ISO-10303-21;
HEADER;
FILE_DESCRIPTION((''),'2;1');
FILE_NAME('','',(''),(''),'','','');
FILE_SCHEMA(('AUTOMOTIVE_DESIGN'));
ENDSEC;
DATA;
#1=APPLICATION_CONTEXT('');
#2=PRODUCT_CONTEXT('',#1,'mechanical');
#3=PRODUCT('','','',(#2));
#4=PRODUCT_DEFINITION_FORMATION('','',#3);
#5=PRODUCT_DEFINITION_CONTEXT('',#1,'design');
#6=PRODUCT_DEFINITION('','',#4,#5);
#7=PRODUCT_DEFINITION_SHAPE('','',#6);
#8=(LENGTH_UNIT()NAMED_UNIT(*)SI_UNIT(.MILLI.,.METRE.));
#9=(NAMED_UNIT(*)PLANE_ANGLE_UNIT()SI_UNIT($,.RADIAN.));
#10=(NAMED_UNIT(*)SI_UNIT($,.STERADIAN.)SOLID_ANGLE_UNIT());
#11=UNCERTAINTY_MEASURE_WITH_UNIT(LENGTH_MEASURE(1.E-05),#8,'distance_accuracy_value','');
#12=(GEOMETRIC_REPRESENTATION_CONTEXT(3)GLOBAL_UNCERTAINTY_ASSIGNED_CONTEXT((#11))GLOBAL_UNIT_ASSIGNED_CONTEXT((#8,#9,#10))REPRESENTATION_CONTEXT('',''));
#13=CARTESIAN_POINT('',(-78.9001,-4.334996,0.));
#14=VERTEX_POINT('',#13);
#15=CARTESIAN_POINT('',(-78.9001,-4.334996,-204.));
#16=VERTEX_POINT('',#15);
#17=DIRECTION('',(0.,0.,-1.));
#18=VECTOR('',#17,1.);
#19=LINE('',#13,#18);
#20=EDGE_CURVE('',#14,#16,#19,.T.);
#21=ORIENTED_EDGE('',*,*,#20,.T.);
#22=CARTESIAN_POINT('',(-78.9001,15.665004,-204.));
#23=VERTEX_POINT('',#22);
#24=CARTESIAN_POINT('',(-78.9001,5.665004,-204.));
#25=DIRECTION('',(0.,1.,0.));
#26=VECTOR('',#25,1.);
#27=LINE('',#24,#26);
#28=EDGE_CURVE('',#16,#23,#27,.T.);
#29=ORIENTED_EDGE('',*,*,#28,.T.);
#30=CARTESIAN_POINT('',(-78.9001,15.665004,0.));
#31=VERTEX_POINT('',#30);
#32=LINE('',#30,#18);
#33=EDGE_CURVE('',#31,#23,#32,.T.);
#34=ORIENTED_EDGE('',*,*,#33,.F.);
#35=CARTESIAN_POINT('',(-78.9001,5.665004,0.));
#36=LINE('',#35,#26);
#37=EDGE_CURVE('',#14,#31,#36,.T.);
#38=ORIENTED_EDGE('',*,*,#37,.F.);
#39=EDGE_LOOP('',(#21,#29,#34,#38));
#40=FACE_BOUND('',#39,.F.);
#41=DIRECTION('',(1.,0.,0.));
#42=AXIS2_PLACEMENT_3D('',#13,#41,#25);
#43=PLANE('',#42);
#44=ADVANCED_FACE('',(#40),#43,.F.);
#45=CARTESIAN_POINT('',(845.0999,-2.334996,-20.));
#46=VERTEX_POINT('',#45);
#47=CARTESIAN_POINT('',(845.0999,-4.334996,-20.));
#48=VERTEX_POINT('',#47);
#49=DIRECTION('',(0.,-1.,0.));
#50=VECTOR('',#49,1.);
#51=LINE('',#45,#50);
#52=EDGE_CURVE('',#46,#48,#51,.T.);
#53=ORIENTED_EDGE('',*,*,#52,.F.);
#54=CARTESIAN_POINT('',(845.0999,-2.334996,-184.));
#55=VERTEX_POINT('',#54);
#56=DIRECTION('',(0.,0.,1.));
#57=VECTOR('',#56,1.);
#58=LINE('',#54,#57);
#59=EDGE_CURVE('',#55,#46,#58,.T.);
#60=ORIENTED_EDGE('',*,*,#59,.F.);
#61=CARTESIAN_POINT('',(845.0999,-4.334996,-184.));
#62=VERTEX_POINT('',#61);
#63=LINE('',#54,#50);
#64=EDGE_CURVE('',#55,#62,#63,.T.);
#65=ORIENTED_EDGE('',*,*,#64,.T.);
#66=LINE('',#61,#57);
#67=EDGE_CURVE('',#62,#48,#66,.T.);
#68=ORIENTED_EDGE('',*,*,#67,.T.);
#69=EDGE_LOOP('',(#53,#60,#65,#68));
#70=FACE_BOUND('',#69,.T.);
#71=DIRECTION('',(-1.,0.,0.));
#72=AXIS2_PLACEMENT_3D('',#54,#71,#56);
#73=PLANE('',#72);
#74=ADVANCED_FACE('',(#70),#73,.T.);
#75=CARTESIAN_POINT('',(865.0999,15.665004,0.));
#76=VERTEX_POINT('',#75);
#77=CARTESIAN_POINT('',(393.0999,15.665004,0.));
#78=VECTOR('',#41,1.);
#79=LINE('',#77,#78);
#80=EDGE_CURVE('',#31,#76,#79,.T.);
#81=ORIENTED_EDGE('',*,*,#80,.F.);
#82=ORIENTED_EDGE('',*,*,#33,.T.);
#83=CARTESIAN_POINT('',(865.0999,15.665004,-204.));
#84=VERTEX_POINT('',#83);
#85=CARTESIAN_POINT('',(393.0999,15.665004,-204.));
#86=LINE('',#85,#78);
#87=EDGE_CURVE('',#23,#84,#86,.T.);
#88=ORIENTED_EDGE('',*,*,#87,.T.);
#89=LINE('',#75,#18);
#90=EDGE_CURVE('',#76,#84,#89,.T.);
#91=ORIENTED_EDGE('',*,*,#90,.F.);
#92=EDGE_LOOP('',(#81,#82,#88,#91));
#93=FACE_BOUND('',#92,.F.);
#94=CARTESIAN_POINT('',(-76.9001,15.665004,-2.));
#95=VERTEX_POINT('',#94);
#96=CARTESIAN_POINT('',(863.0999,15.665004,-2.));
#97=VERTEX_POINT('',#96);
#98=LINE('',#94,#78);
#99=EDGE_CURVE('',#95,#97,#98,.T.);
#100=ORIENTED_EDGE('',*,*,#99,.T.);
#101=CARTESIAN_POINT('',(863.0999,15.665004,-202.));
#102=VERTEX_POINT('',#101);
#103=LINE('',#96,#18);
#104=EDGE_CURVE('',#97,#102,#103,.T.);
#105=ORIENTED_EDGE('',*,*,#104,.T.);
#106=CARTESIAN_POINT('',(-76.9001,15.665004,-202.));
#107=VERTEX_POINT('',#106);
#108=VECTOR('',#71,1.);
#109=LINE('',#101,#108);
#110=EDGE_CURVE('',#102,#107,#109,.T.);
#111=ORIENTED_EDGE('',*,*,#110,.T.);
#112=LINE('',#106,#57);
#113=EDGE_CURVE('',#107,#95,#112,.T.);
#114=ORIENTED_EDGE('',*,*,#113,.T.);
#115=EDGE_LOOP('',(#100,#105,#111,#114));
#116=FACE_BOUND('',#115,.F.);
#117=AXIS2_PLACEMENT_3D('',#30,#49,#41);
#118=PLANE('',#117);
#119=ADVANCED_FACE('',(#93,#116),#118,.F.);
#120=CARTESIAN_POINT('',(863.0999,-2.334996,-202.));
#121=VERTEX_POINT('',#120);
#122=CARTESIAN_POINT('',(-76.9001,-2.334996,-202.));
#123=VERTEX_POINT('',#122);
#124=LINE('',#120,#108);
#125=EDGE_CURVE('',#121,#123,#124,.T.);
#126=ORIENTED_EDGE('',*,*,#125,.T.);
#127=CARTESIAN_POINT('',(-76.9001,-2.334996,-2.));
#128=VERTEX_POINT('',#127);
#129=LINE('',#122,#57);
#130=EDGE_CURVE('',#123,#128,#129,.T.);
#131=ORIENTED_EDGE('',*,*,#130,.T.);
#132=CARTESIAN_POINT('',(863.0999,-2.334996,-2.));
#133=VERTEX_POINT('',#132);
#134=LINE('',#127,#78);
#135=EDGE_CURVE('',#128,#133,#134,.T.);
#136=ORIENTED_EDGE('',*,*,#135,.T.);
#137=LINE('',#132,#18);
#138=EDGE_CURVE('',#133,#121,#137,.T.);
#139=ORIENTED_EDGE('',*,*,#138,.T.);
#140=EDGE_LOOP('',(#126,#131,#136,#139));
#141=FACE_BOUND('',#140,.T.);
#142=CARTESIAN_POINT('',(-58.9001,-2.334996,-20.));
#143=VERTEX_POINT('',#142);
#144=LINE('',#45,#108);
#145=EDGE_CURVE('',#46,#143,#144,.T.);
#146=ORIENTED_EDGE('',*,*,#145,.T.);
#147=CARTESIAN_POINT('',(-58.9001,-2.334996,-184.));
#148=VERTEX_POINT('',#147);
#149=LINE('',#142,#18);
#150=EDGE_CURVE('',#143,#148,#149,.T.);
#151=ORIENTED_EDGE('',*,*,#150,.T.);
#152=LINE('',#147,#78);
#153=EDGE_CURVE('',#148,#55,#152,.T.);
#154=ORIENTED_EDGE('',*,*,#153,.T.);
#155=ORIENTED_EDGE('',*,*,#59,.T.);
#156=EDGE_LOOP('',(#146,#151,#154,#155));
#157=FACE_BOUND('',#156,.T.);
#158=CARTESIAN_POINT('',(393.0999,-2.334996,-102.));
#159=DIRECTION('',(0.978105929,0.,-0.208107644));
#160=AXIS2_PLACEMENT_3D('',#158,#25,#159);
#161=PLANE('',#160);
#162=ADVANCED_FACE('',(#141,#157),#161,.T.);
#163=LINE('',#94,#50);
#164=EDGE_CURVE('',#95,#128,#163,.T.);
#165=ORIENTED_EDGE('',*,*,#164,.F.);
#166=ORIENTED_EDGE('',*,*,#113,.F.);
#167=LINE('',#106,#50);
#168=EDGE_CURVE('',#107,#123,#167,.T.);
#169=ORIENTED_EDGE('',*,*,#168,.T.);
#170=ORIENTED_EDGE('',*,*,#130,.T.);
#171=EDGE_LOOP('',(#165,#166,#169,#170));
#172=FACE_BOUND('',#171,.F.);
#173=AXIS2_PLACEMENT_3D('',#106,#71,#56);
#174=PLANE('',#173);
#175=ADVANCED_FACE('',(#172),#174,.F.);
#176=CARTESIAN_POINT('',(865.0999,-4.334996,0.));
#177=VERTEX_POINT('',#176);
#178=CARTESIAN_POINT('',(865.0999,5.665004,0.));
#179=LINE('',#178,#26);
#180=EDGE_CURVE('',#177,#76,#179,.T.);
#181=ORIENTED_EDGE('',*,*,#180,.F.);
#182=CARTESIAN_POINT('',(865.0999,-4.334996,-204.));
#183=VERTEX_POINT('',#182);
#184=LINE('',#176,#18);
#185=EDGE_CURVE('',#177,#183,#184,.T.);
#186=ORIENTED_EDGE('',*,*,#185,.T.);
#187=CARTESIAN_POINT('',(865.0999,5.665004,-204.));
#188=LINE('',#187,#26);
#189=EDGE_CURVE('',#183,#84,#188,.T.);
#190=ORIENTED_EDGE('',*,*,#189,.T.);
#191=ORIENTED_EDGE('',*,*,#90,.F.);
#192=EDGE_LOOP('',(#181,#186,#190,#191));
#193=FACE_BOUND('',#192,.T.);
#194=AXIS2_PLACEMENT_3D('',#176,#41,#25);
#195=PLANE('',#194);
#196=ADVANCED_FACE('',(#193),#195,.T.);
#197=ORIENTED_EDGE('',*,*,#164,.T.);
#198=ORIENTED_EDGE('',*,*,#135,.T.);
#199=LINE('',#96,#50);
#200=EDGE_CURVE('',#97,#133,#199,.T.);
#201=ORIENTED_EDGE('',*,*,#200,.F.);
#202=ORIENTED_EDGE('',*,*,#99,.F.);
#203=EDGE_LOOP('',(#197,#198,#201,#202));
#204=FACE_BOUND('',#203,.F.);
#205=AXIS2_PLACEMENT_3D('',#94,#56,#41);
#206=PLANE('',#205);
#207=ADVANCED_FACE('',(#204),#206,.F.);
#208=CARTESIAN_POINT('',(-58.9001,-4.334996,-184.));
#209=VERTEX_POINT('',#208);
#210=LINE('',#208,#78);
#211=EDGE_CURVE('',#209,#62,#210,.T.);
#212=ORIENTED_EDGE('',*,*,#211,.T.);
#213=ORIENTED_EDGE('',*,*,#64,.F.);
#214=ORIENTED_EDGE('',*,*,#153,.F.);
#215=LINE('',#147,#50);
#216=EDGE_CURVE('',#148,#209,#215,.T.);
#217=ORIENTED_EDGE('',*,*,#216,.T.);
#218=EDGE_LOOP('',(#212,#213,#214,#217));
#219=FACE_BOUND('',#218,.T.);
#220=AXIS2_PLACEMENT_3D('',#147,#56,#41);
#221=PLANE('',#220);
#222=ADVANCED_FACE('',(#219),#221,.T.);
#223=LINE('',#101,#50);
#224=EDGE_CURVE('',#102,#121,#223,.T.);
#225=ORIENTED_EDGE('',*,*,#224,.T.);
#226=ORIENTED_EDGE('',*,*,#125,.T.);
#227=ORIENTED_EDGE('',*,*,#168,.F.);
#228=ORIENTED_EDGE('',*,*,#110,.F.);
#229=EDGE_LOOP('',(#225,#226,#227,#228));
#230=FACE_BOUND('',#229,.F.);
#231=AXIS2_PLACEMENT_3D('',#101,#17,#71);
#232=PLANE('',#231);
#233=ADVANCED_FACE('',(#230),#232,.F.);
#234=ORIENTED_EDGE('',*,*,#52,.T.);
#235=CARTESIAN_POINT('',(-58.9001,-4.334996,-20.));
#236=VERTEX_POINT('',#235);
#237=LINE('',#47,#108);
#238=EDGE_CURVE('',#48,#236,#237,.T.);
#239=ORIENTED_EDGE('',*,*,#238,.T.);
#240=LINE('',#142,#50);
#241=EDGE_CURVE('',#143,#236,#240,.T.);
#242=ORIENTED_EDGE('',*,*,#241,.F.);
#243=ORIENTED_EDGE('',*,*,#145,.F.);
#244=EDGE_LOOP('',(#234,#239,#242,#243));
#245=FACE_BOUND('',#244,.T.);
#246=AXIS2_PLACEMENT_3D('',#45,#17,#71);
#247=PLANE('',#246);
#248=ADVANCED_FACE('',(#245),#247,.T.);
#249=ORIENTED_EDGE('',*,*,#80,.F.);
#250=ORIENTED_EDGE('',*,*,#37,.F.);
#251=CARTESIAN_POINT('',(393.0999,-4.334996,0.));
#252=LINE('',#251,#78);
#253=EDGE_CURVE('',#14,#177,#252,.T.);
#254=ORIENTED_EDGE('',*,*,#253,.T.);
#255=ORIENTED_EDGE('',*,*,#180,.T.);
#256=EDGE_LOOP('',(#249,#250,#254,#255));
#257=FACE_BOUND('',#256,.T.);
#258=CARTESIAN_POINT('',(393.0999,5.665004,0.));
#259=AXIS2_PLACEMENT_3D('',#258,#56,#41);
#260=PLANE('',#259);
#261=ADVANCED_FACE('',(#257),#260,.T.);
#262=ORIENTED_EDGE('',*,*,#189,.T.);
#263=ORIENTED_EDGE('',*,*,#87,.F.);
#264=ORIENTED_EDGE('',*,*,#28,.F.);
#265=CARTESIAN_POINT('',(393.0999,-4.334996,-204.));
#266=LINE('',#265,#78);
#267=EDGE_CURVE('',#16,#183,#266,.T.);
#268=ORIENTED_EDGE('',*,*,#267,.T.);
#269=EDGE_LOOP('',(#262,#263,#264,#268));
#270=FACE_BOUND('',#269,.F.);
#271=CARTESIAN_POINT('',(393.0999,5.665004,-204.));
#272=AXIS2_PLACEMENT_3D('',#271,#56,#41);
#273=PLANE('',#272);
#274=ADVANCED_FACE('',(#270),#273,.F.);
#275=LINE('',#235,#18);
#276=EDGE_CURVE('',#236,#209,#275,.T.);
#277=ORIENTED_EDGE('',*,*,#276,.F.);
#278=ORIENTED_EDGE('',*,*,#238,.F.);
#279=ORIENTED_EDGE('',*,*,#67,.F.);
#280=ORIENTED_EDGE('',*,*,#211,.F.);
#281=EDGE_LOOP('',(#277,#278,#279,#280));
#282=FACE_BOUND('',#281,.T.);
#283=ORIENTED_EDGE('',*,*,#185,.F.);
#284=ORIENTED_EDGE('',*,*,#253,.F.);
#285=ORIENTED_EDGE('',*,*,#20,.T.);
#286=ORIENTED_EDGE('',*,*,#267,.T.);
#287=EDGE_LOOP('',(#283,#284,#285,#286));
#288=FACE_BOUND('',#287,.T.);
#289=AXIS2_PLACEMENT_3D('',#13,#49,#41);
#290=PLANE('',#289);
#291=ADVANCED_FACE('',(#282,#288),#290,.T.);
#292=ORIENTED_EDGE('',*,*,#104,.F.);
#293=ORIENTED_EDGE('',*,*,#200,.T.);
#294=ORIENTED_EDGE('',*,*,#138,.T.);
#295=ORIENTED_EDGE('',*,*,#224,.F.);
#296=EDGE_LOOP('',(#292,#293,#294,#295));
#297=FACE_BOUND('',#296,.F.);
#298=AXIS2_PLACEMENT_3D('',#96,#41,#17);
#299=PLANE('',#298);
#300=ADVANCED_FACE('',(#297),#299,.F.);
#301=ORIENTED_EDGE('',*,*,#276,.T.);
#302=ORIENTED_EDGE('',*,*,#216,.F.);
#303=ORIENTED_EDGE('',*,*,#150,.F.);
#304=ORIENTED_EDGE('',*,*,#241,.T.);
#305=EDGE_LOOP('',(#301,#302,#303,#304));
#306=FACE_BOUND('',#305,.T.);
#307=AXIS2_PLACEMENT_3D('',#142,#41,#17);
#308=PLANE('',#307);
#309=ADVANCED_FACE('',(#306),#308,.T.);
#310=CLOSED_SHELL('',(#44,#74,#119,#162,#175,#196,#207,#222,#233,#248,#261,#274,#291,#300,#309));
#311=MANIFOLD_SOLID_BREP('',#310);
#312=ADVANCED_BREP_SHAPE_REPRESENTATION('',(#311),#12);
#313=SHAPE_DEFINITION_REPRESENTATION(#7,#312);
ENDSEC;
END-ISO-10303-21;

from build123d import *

# Parameters (mm, degrees)
SKETCH1_W           = 944
SKETCH1_H           = 20
BOSS_EXTRUDE1_DEPTH = 204
CUT_EXTRUDE1_DEPTH  = 18
CUT_EXTRUDE2_DEPTH  = 2


with BuildPart() as part:
    # Sketch1 → Boss-Extrude1 (new body)
    with BuildSketch(Plane.XY):
        with Locations((393.099899989, 5.665003505)):
            Rectangle(SKETCH1_W, SKETCH1_H)
    extrude(amount=-BOSS_EXTRUDE1_DEPTH)

    # 3DSketch1 → Cut-Extrude1 (cut)
    with BuildSketch(Plane(origin=(863.099899989, 15.665003505, -202), x_dir=(-0.9781059289848355, 0, 0.2081076444648586), z_dir=(0, -1, 0))):
        Polygon((0, 0), (919.419573246, 195.621185797), (961.041102139, 0), (41.621528893, -195.621185797), align=None)
    extrude(amount=CUT_EXTRUDE1_DEPTH, mode=Mode.SUBTRACT)

    # 3DSketch2 → Cut-Extrude2 (cut)
    with BuildSketch(Plane(origin=(-58.900100011, -2.334996495, -184), x_dir=(0.9839394949368245, 0, 0.1785022977540257), z_dir=(0, -1, 0))):
        Polygon((0, 0), (889.481303423, -161.36607717), (918.755680255, 0), (29.274376832, 161.36607717), align=None)
    extrude(amount=CUT_EXTRUDE2_DEPTH, mode=Mode.SUBTRACT)


solid = part.part
